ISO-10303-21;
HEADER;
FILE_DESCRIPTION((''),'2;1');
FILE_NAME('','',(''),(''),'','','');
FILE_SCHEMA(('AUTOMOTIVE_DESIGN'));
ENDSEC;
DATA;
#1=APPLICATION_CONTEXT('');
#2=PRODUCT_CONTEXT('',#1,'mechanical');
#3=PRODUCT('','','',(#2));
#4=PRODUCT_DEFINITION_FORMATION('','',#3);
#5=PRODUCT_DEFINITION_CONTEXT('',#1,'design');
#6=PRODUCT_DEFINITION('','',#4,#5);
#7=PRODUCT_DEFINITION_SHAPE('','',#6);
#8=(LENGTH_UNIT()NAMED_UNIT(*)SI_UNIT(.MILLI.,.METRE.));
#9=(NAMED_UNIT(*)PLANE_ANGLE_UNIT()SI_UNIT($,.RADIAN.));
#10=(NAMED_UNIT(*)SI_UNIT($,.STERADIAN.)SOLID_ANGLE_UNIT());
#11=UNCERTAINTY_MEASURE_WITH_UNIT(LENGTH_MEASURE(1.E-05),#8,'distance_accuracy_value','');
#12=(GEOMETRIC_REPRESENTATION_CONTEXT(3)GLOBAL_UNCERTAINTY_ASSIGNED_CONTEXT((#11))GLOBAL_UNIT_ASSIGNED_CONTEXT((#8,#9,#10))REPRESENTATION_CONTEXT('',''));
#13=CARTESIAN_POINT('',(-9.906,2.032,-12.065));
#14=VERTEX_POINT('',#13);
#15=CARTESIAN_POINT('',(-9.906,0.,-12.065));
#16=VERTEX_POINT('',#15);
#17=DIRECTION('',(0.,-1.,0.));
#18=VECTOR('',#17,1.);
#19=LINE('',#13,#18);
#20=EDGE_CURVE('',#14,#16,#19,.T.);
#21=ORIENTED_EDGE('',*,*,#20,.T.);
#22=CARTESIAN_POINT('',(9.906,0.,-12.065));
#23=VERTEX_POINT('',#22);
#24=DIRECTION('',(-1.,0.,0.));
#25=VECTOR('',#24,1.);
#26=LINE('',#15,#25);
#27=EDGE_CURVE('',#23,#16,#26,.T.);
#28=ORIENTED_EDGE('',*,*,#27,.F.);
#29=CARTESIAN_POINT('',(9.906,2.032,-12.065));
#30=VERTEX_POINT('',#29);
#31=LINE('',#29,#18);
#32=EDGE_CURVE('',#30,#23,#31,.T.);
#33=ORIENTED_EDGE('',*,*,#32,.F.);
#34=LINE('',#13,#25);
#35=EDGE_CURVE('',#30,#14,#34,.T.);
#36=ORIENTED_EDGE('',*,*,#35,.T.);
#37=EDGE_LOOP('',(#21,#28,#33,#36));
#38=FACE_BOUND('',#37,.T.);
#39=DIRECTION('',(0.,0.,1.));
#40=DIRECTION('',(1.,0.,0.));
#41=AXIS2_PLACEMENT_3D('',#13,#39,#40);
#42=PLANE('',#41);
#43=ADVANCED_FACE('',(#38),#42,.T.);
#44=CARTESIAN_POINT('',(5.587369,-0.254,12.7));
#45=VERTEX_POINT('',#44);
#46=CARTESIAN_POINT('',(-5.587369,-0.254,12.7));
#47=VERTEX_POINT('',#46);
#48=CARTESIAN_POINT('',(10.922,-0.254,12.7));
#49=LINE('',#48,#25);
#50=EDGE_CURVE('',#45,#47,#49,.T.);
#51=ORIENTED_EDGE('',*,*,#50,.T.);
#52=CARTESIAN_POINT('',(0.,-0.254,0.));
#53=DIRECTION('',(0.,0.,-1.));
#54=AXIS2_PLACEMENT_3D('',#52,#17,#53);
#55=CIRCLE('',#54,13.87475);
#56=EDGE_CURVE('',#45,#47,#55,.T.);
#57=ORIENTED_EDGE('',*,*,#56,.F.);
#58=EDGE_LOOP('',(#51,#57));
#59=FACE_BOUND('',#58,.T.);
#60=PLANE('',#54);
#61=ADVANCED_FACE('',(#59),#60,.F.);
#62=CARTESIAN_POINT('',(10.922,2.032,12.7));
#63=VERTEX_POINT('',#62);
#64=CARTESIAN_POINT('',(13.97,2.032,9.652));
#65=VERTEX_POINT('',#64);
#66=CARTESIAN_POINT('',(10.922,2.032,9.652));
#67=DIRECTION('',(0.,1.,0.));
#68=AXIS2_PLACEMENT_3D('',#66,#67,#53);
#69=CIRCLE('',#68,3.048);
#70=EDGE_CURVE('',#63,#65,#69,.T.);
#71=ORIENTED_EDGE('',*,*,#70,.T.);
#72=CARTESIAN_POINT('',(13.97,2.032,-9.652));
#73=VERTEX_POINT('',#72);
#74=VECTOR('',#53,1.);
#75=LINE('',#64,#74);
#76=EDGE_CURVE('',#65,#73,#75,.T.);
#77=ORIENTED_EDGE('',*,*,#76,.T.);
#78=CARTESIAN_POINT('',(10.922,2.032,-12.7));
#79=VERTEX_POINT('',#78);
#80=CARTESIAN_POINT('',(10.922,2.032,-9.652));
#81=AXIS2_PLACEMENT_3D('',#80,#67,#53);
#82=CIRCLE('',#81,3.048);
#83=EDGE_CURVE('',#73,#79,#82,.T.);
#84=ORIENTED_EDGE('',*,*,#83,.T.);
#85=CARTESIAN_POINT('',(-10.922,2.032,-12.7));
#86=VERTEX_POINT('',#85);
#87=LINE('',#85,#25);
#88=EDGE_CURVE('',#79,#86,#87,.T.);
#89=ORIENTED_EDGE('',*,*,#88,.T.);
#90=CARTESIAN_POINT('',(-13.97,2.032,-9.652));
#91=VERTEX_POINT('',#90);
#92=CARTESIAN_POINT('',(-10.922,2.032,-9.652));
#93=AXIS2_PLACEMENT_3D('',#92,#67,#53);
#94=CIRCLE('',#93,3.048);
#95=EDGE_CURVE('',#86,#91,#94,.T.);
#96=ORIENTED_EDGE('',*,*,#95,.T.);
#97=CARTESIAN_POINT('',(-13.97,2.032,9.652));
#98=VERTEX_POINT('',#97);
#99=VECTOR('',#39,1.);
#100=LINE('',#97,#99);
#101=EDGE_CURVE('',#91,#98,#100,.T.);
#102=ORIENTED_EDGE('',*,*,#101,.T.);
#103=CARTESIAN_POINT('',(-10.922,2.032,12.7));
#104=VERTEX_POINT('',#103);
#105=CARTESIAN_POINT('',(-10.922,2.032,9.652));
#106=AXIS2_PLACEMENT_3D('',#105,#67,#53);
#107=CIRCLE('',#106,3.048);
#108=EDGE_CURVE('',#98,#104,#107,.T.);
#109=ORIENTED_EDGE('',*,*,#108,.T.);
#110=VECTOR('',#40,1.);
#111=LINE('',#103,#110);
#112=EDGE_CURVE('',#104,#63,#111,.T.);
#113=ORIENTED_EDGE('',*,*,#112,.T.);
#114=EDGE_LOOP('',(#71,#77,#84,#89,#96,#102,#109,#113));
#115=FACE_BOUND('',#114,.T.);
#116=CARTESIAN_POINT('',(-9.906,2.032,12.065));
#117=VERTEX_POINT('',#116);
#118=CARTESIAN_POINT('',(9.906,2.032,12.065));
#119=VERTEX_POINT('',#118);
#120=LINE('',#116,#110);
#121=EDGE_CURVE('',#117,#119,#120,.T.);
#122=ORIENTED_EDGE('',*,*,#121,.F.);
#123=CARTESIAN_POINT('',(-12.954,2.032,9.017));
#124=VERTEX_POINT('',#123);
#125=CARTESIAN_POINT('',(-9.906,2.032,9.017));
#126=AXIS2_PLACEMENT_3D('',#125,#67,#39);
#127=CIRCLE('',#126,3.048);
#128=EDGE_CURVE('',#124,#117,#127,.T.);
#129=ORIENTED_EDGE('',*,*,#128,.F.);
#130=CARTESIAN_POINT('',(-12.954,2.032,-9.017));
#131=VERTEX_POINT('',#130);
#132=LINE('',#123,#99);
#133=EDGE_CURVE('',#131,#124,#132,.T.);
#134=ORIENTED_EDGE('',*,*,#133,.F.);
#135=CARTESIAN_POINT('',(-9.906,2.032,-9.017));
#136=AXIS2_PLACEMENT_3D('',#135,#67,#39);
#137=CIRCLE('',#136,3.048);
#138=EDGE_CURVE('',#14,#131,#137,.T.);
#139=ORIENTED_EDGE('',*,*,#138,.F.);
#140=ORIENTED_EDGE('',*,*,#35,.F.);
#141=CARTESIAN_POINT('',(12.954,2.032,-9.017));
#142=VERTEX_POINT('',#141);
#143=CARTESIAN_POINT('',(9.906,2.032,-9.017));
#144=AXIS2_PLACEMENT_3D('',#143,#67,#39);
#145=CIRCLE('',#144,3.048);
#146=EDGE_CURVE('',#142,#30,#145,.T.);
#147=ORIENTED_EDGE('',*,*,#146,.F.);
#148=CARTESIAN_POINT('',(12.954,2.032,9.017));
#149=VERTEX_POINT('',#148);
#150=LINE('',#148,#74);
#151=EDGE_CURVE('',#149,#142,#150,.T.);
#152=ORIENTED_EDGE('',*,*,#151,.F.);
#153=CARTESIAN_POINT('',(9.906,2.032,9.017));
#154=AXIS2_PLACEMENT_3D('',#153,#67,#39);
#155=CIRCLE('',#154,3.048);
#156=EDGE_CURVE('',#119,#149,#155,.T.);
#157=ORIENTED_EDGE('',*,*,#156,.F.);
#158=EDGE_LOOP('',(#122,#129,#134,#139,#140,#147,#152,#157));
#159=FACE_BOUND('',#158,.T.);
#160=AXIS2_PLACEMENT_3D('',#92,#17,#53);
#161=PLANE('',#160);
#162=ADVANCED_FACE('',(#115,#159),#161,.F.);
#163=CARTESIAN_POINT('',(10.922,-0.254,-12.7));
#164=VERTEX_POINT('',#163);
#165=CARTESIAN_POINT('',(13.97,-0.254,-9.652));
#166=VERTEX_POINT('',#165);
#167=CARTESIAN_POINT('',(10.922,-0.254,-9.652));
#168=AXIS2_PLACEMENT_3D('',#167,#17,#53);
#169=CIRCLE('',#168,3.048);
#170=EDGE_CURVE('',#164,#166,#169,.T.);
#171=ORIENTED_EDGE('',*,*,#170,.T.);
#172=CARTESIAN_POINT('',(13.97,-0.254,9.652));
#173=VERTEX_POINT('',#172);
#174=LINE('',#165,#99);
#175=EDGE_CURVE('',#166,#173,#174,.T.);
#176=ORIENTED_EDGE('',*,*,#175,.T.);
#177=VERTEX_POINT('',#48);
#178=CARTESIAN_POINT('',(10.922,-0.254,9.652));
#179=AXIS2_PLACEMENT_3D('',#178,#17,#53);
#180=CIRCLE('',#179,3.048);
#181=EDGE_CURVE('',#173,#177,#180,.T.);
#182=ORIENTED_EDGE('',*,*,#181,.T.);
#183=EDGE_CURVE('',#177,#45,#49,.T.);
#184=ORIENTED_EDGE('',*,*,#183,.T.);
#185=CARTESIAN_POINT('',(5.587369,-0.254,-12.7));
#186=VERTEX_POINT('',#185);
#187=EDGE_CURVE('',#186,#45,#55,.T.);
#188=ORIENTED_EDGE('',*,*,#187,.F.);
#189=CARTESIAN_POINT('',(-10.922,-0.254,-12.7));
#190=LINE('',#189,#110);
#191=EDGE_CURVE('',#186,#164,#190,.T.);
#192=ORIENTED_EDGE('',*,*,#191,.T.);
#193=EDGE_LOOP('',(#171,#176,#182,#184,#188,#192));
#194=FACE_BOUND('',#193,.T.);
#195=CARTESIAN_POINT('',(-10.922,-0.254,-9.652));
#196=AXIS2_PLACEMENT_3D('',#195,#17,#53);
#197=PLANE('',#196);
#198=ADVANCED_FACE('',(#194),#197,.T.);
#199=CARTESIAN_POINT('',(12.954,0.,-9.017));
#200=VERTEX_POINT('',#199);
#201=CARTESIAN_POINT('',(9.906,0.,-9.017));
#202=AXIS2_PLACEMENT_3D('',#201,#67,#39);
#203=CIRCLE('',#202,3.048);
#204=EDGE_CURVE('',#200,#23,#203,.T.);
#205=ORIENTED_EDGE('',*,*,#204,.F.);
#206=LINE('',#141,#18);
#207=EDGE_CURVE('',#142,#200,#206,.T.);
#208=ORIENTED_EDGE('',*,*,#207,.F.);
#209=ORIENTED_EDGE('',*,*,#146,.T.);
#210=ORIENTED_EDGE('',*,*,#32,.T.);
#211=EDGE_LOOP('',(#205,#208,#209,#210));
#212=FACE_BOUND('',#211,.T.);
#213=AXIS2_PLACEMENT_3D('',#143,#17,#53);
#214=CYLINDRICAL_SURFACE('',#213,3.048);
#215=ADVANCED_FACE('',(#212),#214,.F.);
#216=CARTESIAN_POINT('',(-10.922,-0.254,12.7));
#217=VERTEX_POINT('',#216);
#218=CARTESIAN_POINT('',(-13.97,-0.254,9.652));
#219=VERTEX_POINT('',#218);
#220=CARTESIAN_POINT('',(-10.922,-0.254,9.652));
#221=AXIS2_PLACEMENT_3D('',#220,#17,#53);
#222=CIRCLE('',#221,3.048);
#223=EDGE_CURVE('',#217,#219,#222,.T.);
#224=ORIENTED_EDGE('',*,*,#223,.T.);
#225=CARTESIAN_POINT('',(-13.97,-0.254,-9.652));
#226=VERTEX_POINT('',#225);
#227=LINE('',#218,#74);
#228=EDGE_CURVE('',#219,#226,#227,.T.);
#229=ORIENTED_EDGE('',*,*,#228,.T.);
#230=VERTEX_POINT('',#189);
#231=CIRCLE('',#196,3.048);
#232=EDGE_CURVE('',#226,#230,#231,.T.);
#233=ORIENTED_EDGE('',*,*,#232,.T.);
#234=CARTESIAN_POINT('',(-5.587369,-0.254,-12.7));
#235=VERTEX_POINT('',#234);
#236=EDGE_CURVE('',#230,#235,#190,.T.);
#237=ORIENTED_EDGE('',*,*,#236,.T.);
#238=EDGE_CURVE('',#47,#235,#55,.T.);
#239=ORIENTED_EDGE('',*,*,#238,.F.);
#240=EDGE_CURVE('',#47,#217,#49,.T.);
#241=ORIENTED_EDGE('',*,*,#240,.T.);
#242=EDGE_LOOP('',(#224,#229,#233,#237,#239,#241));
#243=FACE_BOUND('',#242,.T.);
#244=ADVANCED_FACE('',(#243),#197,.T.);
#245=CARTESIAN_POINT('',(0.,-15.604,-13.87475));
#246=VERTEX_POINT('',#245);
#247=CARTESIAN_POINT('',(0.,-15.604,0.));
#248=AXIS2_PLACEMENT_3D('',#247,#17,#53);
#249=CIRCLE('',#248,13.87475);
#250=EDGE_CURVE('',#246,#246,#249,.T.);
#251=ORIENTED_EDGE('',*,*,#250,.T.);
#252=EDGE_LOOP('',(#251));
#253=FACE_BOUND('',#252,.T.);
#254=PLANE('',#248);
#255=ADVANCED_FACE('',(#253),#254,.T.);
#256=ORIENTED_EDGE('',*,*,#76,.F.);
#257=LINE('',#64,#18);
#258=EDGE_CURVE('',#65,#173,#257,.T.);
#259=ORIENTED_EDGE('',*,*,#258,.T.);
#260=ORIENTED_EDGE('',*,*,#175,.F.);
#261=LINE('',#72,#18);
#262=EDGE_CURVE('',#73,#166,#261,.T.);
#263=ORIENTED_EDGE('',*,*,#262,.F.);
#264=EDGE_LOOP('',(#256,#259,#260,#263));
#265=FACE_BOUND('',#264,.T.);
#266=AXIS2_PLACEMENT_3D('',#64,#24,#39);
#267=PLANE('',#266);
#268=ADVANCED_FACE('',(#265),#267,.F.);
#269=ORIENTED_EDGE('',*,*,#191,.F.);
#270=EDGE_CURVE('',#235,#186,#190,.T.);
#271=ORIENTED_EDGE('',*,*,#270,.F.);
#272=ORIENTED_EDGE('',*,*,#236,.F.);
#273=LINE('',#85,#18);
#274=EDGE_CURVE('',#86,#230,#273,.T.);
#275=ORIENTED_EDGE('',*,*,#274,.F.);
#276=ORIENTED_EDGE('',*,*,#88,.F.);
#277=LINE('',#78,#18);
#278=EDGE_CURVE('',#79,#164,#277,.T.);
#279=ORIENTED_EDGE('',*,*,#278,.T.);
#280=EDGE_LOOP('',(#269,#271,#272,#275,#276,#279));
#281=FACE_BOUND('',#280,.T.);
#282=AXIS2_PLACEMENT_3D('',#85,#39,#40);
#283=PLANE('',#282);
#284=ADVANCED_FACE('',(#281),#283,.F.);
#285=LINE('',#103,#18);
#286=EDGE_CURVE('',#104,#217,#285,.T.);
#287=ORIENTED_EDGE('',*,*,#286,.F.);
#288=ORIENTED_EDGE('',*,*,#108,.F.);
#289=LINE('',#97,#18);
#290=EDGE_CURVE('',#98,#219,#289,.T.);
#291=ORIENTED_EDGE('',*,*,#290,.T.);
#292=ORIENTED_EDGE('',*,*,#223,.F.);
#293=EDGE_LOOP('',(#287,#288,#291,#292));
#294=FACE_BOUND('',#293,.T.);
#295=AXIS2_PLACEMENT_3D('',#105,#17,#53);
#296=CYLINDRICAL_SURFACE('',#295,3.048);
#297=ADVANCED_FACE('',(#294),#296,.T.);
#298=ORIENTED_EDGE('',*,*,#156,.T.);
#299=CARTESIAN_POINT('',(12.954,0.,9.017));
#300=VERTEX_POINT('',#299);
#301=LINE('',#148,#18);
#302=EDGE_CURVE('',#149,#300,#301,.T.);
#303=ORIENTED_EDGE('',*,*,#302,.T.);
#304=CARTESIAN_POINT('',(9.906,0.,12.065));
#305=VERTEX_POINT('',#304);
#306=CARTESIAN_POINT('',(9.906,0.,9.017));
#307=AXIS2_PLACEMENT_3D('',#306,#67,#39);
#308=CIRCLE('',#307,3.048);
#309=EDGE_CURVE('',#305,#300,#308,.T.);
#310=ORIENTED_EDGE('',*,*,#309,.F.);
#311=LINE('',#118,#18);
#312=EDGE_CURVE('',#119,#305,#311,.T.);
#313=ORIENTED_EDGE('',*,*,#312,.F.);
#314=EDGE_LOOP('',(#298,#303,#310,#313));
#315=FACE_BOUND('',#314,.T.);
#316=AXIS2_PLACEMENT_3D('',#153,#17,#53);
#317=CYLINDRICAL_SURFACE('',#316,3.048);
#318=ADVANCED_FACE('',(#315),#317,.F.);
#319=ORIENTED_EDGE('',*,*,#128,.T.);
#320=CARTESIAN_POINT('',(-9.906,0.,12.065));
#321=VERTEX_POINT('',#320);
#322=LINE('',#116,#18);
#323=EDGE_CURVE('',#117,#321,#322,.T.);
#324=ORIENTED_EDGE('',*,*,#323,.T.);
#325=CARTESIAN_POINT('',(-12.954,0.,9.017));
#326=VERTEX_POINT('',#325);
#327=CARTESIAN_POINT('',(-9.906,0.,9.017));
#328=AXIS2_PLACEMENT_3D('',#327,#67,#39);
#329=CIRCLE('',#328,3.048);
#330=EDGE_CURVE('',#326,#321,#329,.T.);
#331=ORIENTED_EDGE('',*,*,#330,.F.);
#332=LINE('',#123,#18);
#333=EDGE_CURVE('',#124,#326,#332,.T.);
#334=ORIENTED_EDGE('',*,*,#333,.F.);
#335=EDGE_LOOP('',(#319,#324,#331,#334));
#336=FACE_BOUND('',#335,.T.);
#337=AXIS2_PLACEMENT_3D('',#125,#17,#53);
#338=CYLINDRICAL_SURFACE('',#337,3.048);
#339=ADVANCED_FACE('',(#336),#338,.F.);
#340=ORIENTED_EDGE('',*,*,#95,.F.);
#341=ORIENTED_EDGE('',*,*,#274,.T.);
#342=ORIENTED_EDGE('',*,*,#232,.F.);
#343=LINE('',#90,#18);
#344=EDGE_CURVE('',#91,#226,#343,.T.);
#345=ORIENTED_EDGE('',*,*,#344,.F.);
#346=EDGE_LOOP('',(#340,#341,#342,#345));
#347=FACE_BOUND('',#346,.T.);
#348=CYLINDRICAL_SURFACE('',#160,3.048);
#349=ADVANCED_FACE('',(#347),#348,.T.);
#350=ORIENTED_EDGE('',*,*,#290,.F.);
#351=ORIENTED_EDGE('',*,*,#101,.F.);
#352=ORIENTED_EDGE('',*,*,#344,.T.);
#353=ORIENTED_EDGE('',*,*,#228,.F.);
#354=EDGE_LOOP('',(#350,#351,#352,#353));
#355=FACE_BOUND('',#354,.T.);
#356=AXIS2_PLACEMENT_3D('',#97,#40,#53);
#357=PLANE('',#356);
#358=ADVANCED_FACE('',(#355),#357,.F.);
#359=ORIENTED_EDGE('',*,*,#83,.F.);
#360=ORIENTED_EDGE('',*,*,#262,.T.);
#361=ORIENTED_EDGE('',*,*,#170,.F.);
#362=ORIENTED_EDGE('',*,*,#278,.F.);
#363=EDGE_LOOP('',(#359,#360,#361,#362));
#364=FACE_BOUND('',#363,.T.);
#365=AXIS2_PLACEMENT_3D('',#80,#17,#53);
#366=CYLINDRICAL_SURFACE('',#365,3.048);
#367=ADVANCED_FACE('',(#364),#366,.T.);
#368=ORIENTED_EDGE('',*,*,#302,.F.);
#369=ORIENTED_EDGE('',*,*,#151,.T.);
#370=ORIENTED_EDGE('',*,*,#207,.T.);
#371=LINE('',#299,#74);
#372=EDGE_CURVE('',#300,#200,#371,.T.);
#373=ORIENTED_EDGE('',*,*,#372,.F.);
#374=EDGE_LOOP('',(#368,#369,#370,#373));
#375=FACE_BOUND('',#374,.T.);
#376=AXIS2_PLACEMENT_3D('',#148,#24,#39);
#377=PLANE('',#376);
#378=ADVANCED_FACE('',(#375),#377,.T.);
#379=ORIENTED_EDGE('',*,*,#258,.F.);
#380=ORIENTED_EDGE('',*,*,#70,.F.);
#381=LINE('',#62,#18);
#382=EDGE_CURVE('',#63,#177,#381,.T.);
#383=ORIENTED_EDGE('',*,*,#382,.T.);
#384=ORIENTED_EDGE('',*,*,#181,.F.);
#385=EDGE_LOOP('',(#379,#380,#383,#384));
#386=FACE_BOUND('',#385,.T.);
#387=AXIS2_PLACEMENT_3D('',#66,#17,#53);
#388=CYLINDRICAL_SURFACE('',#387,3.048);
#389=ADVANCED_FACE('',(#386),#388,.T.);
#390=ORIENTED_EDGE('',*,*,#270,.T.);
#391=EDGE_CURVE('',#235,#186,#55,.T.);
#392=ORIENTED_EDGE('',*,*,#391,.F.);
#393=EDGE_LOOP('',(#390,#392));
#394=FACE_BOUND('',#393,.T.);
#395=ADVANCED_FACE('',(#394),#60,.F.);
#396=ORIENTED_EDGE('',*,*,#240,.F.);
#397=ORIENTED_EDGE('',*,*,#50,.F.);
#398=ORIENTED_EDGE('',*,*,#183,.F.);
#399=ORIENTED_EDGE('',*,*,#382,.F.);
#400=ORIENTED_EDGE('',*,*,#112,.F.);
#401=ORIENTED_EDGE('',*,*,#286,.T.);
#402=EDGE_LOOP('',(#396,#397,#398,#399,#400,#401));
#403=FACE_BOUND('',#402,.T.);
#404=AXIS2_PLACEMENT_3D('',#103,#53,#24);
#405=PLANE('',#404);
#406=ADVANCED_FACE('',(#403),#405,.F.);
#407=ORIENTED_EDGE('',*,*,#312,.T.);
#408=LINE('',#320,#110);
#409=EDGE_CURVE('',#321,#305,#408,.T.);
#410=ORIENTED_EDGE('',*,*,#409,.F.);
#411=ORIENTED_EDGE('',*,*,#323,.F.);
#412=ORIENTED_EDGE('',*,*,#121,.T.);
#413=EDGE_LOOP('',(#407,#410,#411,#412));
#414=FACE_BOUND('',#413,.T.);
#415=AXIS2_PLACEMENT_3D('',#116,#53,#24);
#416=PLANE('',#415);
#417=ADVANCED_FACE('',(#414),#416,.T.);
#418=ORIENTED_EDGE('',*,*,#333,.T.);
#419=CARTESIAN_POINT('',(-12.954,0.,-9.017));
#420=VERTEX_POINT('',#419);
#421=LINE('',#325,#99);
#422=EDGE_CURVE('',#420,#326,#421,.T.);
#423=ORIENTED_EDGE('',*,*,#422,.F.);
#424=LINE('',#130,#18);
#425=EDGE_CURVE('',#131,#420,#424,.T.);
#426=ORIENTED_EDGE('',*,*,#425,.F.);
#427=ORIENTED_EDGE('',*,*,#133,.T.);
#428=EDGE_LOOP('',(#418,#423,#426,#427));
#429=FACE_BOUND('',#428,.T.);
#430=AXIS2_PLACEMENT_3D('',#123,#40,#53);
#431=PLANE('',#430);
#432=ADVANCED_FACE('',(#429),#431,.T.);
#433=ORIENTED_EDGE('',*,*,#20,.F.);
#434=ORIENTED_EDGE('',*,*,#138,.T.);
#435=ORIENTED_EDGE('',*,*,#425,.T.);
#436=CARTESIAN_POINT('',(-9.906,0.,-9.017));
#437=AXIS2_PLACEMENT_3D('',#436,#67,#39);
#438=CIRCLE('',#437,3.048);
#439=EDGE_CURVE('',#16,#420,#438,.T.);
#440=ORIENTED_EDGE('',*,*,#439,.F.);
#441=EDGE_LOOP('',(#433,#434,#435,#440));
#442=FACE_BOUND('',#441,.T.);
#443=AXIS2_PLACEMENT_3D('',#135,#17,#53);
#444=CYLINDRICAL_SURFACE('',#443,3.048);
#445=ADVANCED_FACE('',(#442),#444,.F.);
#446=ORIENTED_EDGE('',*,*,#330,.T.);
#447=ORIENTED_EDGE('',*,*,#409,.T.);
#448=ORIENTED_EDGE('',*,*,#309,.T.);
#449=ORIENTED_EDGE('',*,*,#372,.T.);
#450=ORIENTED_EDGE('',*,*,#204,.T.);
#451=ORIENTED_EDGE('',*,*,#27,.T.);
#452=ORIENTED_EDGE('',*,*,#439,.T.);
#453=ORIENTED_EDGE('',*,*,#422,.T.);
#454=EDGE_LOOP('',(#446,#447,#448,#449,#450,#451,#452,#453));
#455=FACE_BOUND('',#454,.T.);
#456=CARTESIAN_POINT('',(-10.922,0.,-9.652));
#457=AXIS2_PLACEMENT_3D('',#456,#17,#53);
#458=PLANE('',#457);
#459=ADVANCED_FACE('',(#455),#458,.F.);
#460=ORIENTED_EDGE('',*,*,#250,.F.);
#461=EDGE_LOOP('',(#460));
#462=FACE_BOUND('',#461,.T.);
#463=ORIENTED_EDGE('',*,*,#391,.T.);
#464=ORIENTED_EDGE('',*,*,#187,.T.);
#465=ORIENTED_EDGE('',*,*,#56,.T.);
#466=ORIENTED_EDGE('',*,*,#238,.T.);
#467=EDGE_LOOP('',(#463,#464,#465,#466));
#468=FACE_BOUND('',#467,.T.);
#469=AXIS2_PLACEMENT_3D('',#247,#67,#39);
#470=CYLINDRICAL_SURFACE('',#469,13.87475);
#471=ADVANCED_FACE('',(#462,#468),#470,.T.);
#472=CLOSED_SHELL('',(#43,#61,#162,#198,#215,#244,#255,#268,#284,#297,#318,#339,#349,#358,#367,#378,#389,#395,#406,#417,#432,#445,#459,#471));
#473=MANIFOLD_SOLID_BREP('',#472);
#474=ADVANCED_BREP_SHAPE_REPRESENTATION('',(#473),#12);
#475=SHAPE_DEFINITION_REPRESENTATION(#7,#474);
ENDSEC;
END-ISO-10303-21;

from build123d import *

# Parameters (mm, degrees)
BOSS_EXTRUDE1_DEPTH = 2.032
BOSS_EXTRUDE2_DEPTH = 0.254
SKETCH3_R           = 13.87475
BOSS_EXTRUDE3_DEPTH = 15.35


with BuildPart() as part:
    # Sketch1 → Boss-Extrude1 (new body)
    with BuildSketch(Plane(origin=(0, 0, 0), x_dir=(1, 0, 0), z_dir=(0, 1, 0))):
        with BuildLine():
            Line((-10.922, -12.7), (10.922, -12.7))
            ThreePointArc((10.922, -12.7), (13.077261469, -11.807261469), (13.97, -9.652))
            Line((13.97, -9.652), (13.97, 9.652))
            ThreePointArc((13.97, 9.652), (13.077261469, 11.807261469), (10.922, 12.7))
            Line((10.922, 12.7), (-10.922, 12.7))
            ThreePointArc((-10.922, 12.7), (-13.077261469, 11.807261469), (-13.97, 9.652))
            Line((-13.97, 9.652), (-13.97, -9.652))
            ThreePointArc((-13.97, -9.652), (-13.077261469, -11.807261469), (-10.922, -12.7))
        make_face()
        with BuildLine():
            Line((-9.906, -12.065), (9.906, -12.065))
            ThreePointArc((9.906, -12.065), (12.061261469, -11.172261469), (12.954, -9.017))
            Line((12.954, -9.017), (12.954, 9.017))
            ThreePointArc((12.954, 9.017), (12.061261469, 11.172261469), (9.906, 12.065))
            Line((9.906, 12.065), (-9.906, 12.065))
            ThreePointArc((-9.906, 12.065), (-12.061261469, 11.172261469), (-12.954, 9.017))
            Line((-12.954, 9.017), (-12.954, -9.017))
            ThreePointArc((-12.954, -9.017), (-12.061261469, -11.172261469), (-9.906, -12.065))
        make_face(mode=Mode.SUBTRACT)
    extrude(amount=BOSS_EXTRUDE1_DEPTH)

    # Sketch2 → Boss-Extrude2 (add)
    with BuildSketch(Plane.XZ):
        with BuildLine():
            Line((-10.922, -12.7), (10.922, -12.7))
            ThreePointArc((10.922, -12.7), (13.077261469, -11.807261469), (13.97, -9.652))
            Line((13.97, -9.652), (13.97, 9.652))
            ThreePointArc((13.97, 9.652), (13.077261469, 11.807261469), (10.922, 12.7))
            Line((10.922, 12.7), (-10.922, 12.7))
            ThreePointArc((-10.922, 12.7), (-13.077261469, 11.807261469), (-13.97, 9.652))
            Line((-13.97, 9.652), (-13.97, -9.652))
            ThreePointArc((-13.97, -9.652), (-13.077261469, -11.807261469), (-10.922, -12.7))
        make_face()
    extrude(amount=BOSS_EXTRUDE2_DEPTH)

    # Sketch3 → Boss-Extrude3 (add)
    with BuildSketch(Plane.XZ.offset(0.254)):
        Circle(SKETCH3_R)
    extrude(amount=BOSS_EXTRUDE3_DEPTH)


solid = part.part
